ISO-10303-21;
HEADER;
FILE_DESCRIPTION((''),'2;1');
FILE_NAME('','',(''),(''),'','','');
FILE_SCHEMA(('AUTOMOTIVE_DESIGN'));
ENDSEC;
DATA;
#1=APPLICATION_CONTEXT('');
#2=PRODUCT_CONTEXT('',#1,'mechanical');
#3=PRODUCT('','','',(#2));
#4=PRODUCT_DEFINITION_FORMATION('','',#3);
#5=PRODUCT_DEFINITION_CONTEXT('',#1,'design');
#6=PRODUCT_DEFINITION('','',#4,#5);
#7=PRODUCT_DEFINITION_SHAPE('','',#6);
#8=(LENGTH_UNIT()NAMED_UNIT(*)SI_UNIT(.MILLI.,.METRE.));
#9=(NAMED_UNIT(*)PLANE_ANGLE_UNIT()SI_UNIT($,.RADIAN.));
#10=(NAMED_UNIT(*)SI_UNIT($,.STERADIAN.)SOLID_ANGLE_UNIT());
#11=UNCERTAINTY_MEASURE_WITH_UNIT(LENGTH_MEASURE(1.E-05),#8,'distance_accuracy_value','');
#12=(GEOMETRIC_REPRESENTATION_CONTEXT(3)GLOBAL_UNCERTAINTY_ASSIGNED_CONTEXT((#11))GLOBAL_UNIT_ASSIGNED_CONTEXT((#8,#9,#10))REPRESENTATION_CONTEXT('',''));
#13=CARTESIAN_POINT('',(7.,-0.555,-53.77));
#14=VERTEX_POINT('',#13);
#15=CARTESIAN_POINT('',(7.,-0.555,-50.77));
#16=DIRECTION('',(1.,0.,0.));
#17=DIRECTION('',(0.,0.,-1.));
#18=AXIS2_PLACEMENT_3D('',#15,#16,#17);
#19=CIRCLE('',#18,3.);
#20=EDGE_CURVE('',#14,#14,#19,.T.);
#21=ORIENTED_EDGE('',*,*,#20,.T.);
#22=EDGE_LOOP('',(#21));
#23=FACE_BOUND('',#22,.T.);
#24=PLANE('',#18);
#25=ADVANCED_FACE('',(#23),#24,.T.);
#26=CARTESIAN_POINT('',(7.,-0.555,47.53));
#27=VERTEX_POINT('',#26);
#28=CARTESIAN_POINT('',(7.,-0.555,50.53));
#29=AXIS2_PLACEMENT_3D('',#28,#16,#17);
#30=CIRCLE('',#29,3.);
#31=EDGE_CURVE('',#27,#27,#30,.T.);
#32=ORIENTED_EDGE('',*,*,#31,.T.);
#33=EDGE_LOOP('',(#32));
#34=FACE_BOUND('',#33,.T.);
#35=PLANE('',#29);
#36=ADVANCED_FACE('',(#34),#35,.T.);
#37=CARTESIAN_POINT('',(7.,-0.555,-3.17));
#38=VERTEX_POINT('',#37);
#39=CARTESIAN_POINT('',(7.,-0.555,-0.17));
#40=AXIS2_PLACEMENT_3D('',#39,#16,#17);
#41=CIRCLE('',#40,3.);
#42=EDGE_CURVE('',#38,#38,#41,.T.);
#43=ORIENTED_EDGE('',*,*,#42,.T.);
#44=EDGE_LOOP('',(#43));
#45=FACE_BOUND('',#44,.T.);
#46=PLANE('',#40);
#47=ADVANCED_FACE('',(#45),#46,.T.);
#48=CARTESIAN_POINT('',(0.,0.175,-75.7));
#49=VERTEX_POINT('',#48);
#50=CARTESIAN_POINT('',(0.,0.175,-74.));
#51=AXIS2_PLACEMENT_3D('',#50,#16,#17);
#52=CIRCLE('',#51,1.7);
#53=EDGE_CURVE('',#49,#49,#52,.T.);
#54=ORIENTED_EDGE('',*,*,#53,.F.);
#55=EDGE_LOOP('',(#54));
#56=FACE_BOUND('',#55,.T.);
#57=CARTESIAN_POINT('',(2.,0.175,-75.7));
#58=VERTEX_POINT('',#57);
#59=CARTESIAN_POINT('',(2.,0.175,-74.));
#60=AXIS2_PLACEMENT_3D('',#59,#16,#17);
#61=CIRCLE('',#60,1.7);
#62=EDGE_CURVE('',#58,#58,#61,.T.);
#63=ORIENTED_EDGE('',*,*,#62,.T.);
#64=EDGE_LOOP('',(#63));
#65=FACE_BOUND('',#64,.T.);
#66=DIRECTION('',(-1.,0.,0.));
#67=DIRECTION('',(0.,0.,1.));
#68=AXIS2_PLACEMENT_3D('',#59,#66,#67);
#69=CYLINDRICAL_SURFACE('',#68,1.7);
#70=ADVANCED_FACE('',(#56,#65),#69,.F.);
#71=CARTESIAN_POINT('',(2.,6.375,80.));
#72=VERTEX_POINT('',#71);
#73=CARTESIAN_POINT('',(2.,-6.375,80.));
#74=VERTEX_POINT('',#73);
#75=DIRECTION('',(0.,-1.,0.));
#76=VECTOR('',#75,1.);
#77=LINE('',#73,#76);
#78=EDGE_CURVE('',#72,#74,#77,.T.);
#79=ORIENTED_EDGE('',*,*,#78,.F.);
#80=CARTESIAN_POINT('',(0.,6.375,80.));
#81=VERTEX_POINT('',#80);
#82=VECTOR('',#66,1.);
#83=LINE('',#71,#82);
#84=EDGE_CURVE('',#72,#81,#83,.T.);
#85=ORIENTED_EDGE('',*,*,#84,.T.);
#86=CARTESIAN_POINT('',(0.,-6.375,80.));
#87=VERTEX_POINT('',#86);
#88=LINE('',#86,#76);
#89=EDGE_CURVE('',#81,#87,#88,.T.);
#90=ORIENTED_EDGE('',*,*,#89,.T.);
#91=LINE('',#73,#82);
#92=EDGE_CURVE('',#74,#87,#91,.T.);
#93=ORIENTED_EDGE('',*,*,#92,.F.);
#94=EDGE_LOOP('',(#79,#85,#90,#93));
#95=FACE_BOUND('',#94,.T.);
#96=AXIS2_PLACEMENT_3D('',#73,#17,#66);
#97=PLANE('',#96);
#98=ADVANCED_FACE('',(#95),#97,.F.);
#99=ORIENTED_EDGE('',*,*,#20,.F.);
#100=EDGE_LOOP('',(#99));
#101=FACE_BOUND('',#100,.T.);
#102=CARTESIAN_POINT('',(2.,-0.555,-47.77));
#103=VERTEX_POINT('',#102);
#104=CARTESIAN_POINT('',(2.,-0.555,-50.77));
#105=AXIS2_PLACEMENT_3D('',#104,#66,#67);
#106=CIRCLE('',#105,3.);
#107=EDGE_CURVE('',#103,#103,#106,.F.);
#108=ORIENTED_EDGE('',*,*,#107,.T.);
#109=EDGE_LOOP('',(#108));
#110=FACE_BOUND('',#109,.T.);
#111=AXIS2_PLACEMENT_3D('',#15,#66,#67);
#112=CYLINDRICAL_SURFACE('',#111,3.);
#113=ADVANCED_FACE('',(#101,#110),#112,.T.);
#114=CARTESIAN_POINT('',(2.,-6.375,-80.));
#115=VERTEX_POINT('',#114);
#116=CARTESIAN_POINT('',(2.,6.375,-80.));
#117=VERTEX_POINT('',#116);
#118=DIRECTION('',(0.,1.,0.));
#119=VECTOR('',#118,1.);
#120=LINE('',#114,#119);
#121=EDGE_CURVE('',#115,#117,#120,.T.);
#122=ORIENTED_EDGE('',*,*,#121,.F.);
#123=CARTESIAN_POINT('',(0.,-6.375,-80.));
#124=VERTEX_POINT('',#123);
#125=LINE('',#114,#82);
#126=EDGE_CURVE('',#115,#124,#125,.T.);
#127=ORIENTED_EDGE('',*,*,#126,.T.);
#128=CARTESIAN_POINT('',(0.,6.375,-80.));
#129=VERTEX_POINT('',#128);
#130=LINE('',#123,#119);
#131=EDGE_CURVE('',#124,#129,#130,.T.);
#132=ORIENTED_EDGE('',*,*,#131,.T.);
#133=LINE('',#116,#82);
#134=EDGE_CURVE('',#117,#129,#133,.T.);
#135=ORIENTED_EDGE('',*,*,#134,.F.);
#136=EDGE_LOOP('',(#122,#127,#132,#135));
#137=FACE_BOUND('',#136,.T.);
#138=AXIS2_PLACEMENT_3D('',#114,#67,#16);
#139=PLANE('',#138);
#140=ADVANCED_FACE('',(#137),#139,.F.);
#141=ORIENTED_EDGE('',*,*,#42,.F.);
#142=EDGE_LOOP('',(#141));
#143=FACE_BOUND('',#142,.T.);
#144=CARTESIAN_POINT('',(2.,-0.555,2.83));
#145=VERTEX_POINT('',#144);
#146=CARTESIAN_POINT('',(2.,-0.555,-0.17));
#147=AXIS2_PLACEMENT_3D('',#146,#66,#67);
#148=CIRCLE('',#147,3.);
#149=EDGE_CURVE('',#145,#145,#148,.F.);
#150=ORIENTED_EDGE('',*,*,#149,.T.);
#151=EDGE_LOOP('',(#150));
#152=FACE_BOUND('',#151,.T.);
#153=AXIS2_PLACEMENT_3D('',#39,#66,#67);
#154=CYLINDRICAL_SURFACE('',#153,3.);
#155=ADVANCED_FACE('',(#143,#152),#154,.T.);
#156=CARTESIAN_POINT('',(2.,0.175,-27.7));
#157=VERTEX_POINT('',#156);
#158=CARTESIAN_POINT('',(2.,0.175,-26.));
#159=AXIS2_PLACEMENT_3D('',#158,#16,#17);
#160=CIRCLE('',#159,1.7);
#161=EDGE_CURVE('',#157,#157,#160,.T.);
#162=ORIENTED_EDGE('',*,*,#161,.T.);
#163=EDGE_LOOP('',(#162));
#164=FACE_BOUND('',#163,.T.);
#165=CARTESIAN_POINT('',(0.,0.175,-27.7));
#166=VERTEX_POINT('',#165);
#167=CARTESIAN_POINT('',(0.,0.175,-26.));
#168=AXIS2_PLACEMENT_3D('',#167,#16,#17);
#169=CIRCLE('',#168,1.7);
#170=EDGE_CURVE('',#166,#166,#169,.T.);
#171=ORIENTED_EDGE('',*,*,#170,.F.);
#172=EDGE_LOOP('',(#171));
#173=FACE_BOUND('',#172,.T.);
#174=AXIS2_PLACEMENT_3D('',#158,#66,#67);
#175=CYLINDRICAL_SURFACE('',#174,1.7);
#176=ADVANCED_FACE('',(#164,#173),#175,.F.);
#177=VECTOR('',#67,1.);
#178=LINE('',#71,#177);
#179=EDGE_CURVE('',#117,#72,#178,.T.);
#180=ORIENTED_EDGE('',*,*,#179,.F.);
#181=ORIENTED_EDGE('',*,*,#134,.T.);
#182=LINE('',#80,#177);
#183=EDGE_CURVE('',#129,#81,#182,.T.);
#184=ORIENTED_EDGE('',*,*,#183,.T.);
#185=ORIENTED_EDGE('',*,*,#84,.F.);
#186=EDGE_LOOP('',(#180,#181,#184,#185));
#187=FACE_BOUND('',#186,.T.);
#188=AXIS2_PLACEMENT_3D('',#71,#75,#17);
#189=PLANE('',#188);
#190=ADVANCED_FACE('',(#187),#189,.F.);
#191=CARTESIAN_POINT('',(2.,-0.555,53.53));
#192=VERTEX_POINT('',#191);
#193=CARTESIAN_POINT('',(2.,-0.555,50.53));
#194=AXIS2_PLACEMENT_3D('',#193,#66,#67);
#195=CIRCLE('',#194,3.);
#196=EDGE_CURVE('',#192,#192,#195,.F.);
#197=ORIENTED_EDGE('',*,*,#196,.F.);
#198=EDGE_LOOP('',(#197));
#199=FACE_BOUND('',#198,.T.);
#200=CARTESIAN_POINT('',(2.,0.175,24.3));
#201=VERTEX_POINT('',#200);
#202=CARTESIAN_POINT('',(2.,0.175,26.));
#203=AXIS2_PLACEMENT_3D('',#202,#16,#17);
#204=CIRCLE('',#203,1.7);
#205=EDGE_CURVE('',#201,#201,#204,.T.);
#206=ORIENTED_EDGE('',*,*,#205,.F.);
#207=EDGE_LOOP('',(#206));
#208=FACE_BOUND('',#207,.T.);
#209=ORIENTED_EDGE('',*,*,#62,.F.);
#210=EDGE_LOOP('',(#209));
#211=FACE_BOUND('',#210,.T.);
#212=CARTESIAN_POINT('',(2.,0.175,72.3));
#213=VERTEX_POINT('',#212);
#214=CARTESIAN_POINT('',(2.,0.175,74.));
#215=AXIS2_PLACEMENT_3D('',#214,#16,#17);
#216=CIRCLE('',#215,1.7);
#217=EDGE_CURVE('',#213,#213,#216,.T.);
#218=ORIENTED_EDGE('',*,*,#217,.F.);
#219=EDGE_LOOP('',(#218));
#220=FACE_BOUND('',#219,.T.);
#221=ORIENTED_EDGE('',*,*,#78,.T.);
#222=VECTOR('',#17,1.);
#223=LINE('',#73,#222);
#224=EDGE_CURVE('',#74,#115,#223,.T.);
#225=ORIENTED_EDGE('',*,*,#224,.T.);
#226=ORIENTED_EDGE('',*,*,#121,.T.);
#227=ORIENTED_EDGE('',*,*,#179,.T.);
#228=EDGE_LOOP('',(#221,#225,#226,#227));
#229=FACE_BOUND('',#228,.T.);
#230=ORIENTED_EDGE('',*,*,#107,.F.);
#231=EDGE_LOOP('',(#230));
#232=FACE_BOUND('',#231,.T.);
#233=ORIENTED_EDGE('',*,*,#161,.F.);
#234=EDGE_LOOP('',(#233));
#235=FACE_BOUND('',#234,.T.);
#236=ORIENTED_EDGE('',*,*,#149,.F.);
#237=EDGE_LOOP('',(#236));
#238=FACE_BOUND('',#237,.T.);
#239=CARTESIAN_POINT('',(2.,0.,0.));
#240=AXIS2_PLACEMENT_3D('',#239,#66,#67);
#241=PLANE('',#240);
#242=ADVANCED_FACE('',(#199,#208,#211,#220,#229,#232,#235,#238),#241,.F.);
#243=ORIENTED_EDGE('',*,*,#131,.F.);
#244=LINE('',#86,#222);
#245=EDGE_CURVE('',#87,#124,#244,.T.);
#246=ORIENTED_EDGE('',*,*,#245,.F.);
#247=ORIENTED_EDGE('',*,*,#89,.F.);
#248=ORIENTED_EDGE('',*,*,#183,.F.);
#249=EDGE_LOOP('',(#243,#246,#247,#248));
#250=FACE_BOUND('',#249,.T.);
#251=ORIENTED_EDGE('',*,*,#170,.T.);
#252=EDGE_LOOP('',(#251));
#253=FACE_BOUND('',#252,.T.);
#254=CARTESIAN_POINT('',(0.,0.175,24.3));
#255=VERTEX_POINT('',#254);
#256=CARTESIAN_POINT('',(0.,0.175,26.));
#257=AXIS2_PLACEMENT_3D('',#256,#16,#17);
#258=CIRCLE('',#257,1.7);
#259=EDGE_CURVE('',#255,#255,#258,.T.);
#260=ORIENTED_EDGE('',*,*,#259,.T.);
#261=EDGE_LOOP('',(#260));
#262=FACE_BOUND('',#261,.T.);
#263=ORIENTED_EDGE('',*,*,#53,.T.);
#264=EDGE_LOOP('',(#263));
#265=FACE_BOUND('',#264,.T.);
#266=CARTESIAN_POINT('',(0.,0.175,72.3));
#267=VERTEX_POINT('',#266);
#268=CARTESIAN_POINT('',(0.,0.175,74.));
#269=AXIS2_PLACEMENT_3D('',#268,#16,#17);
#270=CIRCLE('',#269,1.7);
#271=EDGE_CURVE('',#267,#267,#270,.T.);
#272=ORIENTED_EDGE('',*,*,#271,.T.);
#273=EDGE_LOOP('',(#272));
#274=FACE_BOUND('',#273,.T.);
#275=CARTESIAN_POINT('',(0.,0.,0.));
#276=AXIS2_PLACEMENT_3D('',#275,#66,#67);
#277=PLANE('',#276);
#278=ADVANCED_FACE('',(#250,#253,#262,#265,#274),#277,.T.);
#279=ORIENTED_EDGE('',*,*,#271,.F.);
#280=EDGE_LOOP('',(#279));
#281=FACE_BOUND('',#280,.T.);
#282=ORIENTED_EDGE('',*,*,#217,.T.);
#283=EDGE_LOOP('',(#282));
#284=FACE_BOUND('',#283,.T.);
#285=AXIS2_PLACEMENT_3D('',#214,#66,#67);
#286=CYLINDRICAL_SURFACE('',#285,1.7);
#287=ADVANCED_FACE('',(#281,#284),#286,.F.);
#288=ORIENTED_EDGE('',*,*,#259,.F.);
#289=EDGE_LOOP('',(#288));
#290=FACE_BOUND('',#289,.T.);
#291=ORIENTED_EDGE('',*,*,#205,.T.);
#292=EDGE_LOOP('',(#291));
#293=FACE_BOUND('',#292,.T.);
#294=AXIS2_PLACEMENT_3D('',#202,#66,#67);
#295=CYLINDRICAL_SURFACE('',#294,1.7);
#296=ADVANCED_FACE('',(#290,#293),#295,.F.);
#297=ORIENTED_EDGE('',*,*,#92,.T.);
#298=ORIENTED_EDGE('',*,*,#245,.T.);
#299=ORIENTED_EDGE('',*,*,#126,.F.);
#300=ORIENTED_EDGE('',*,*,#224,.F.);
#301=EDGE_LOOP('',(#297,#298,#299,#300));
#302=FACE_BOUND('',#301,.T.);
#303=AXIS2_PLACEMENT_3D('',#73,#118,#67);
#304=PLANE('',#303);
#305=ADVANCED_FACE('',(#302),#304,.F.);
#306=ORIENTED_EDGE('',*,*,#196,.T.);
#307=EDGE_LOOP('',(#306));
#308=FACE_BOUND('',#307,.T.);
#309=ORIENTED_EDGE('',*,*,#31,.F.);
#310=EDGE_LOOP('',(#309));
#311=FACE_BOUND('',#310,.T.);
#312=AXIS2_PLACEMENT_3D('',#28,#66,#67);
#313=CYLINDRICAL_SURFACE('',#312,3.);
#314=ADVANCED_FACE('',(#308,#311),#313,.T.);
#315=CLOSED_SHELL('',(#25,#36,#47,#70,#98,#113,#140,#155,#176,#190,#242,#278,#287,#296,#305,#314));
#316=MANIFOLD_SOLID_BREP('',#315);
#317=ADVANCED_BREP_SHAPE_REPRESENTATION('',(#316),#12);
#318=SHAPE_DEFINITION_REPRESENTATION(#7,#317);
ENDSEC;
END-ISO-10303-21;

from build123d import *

# Parameters (mm, degrees)
ESBO_O1_W                = 160
ESBO_O1_H                = 12.75
ESBO_O1_R                = 1.7
RESSALTO_EXTRUS_O1_DEPTH = 2
ESBO_O2_R                = 3
RESSALTO_EXTRUS_O2_DEPTH = 5


with BuildPart() as part:
    # Esboço1 → Ressalto-extrusão1 (new body)
    with BuildSketch(Plane(origin=(0, 0, 0), x_dir=(0, 0, -1), z_dir=(1, 0, 0))):
        Rectangle(ESBO_O1_W, ESBO_O1_H)
        with Locations((-74, 0.175)):
            Circle(ESBO_O1_R, mode=Mode.SUBTRACT)
        with Locations((-26, 0.175)):
            Circle(ESBO_O1_R, mode=Mode.SUBTRACT)
        with Locations((26, 0.175)):
            Circle(ESBO_O1_R, mode=Mode.SUBTRACT)
        with Locations((74, 0.175)):
            Circle(ESBO_O1_R, mode=Mode.SUBTRACT)
    extrude(amount=RESSALTO_EXTRUS_O1_DEPTH)

    # Esboço2 → Ressalto-extrusão2 (add)
    with BuildSketch(Plane(origin=(2, 0, 0), x_dir=(0, 0, -1), z_dir=(1, 0, 0))):
        with Locations((0.17, -0.555)):
            Circle(ESBO_O2_R)
        with Locations((50.77, -0.555)):
            Circle(ESBO_O2_R)
        with Locations((-50.53, -0.555)):
            Circle(ESBO_O2_R)
    extrude(amount=RESSALTO_EXTRUS_O2_DEPTH)


solid = part.part
